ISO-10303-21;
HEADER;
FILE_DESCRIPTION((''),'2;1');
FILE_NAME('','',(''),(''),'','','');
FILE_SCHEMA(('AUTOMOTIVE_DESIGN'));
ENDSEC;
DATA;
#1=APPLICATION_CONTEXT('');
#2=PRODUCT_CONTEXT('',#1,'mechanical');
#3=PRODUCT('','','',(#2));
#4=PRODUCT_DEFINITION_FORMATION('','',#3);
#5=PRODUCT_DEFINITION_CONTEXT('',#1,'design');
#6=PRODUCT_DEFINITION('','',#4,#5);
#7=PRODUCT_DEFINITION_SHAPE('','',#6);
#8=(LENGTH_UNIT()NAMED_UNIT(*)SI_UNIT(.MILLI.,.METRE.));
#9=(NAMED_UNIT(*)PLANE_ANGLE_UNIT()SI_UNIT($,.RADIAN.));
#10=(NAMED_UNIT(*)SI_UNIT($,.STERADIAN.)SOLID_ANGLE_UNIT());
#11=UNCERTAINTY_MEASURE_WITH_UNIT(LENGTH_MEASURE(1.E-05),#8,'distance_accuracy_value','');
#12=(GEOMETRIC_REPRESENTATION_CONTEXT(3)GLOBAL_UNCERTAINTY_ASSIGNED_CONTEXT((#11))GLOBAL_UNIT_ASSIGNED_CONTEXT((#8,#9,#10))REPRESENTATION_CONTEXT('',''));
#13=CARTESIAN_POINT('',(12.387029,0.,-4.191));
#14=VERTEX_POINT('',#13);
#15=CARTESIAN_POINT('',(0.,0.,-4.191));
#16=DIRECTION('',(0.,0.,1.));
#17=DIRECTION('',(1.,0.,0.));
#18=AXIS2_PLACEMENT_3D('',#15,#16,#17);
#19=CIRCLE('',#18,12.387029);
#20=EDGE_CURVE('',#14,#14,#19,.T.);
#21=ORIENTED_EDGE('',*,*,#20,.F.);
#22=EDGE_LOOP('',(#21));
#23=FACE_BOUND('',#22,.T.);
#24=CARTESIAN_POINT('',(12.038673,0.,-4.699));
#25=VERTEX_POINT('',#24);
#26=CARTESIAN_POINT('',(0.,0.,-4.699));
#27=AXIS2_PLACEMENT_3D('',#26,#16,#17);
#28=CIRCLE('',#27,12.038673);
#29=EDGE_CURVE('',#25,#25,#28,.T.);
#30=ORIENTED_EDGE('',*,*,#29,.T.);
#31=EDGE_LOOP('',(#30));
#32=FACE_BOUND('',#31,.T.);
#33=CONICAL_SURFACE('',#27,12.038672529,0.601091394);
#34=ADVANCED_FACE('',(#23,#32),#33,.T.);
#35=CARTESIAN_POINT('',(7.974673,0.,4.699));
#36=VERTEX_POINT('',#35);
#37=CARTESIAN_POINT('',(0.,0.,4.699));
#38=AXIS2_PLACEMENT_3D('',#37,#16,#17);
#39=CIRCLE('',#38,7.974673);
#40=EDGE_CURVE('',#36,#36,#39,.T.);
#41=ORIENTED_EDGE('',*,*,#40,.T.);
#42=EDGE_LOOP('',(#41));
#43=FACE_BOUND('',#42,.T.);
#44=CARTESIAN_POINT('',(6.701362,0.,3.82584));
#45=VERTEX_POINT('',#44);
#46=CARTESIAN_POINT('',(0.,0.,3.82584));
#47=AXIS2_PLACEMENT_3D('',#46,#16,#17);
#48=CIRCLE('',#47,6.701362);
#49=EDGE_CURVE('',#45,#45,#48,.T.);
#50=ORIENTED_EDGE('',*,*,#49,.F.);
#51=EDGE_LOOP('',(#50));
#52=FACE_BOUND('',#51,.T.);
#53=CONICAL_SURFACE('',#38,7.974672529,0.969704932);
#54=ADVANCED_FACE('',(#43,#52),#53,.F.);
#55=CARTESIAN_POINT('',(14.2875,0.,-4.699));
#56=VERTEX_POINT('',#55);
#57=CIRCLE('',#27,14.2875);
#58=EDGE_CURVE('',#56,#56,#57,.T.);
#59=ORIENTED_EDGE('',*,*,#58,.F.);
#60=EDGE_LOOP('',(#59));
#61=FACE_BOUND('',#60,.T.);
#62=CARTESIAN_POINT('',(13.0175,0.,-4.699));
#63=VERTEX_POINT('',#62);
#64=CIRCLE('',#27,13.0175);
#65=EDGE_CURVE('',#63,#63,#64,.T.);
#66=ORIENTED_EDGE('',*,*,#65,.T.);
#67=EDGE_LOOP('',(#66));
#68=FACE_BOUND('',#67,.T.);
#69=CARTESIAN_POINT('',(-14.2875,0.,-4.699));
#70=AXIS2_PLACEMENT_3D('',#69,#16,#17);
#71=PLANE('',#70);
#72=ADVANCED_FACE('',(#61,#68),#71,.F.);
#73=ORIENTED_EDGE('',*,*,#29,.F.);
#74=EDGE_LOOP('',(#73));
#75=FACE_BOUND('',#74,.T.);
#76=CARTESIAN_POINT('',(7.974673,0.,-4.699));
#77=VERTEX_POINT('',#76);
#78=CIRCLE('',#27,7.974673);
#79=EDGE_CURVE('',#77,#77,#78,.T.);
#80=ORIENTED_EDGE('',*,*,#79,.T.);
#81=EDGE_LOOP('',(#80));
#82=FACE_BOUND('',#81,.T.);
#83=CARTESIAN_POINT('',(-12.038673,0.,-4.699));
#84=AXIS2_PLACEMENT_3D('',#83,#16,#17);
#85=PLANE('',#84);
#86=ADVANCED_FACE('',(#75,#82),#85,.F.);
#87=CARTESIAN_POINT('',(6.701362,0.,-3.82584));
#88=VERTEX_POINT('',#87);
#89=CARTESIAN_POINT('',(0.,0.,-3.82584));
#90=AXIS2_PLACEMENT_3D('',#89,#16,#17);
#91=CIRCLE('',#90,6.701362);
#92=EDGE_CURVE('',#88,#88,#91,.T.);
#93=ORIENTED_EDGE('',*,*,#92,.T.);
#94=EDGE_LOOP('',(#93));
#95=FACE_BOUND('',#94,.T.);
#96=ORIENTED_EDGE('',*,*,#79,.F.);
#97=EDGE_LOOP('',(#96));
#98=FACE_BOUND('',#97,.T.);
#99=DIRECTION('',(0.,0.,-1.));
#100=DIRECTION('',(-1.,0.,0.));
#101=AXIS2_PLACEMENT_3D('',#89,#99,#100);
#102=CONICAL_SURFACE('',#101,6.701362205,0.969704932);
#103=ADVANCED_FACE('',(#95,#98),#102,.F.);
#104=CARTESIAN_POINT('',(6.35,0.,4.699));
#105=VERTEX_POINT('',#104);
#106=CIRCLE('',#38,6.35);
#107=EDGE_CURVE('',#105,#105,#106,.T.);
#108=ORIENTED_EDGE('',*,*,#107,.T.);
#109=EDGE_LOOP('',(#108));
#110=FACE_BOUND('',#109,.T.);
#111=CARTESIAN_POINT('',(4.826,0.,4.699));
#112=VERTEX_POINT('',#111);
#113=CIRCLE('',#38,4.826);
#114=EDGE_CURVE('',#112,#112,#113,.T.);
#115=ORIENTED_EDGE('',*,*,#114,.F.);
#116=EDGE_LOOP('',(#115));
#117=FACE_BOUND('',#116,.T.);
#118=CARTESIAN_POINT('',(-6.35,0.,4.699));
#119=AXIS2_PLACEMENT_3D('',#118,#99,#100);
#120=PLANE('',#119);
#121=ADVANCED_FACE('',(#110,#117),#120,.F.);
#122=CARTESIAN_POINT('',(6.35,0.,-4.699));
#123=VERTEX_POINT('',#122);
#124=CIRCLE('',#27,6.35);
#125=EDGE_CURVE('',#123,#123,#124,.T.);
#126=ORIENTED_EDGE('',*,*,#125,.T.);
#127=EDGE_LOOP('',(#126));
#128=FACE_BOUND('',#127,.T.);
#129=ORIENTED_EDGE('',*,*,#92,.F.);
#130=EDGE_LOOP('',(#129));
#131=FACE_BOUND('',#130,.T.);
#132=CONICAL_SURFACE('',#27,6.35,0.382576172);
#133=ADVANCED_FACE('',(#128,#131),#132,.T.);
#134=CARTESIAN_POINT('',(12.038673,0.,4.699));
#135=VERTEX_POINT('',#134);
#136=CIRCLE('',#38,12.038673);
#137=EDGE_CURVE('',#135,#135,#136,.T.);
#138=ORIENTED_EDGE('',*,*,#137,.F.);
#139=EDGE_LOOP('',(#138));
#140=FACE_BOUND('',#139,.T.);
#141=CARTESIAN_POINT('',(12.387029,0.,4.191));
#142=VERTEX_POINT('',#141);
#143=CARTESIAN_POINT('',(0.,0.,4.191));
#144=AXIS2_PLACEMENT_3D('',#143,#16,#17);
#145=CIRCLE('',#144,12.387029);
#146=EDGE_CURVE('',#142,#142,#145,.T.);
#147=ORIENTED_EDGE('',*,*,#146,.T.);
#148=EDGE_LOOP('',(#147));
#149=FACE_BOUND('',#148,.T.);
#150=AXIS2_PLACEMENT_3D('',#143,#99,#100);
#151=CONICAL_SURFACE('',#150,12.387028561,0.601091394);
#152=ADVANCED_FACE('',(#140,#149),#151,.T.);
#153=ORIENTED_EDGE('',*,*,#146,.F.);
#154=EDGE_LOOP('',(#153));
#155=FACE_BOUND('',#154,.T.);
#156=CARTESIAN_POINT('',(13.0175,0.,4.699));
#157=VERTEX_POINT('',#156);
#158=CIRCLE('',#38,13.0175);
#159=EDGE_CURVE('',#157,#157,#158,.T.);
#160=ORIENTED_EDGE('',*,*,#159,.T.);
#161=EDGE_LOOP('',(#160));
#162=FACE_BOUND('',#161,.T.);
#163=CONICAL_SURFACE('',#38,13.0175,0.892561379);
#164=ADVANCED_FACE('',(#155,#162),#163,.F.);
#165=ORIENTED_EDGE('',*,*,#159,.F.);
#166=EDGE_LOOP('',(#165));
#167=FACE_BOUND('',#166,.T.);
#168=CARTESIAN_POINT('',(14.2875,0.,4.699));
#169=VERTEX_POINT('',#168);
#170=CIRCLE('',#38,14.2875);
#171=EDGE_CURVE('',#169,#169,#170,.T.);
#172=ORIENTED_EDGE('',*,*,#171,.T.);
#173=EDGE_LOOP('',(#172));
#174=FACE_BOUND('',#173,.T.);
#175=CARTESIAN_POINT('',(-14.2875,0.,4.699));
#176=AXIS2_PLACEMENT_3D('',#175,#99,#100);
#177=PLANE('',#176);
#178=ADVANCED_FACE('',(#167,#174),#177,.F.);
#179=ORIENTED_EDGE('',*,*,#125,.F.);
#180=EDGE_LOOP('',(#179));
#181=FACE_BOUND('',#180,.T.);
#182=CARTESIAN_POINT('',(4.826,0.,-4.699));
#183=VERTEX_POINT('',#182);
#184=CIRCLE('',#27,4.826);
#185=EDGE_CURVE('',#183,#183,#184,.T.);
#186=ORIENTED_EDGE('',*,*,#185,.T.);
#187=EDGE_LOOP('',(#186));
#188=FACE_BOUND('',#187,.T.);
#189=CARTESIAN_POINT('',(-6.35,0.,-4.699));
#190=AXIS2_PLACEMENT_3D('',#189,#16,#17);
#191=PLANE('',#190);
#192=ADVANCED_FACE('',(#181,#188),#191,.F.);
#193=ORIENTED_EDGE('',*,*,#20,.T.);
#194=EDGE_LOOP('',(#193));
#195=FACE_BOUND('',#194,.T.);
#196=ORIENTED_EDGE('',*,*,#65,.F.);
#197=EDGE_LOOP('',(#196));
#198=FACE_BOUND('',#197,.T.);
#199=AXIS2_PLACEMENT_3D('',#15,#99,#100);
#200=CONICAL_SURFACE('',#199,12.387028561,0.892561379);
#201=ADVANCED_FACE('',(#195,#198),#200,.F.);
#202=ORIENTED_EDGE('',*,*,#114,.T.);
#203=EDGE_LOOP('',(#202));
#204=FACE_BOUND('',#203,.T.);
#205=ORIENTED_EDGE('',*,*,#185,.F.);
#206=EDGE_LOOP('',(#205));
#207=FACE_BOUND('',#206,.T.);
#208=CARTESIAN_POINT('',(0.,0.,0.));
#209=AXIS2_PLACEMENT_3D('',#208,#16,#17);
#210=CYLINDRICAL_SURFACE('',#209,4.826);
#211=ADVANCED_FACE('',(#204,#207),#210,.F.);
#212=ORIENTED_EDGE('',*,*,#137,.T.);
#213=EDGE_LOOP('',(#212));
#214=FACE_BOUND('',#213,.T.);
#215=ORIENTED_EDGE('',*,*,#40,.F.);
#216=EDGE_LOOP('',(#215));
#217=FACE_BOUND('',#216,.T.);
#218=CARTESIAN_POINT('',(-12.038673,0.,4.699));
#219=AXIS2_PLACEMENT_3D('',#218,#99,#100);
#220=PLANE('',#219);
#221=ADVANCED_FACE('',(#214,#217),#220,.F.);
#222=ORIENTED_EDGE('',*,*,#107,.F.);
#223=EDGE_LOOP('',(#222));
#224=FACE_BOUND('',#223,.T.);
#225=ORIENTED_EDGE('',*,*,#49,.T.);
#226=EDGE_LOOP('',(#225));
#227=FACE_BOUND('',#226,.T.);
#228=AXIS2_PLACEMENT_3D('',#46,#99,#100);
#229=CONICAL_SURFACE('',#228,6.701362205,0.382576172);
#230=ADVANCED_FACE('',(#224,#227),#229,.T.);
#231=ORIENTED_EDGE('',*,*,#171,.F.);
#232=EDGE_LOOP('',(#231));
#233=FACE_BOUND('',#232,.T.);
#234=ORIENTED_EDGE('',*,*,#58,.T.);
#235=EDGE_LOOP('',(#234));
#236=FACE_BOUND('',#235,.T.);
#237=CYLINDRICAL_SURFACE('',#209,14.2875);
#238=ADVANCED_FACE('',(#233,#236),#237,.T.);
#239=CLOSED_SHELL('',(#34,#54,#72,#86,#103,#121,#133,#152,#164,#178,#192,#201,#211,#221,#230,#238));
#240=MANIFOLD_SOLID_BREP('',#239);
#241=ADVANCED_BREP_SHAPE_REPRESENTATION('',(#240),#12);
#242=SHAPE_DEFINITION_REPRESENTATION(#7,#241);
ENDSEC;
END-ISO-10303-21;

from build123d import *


with BuildPart() as part:
    # Sketch1 → Revolve1 (revolve)
    with BuildSketch(Plane(origin=(0, 0, 0), x_dir=(1, 0, 0), z_dir=(0, 1, 0)), mode=Mode.PRIVATE) as revolve1_sk:
        Polygon((-6.35, 4.698999999), (-4.825999999, 4.698999999), (-4.825999999, -4.698999999), (-6.35, -4.698999999), (-6.701362205, -3.825839897), (-7.974672529, -4.698999999), (-12.038672529, -4.698999999), (-12.387028561, -4.190999999), (-13.0175, -4.698999999), (-14.2875, -4.698999999), (-14.2875, 4.698999999), (-13.0175, 4.698999999), (-12.387028561, 4.190999999), (-12.038672529, 4.698999999), (-7.974672529, 4.698999999), (-6.701362205, 3.825839897), align=None)
    revolve(revolve1_sk.sketch.rotate(Axis((0, 0, 0), (0, 0, -1)), 180), axis=Axis((0, 0, 0), (0, 0, -1)))


solid = part.part
